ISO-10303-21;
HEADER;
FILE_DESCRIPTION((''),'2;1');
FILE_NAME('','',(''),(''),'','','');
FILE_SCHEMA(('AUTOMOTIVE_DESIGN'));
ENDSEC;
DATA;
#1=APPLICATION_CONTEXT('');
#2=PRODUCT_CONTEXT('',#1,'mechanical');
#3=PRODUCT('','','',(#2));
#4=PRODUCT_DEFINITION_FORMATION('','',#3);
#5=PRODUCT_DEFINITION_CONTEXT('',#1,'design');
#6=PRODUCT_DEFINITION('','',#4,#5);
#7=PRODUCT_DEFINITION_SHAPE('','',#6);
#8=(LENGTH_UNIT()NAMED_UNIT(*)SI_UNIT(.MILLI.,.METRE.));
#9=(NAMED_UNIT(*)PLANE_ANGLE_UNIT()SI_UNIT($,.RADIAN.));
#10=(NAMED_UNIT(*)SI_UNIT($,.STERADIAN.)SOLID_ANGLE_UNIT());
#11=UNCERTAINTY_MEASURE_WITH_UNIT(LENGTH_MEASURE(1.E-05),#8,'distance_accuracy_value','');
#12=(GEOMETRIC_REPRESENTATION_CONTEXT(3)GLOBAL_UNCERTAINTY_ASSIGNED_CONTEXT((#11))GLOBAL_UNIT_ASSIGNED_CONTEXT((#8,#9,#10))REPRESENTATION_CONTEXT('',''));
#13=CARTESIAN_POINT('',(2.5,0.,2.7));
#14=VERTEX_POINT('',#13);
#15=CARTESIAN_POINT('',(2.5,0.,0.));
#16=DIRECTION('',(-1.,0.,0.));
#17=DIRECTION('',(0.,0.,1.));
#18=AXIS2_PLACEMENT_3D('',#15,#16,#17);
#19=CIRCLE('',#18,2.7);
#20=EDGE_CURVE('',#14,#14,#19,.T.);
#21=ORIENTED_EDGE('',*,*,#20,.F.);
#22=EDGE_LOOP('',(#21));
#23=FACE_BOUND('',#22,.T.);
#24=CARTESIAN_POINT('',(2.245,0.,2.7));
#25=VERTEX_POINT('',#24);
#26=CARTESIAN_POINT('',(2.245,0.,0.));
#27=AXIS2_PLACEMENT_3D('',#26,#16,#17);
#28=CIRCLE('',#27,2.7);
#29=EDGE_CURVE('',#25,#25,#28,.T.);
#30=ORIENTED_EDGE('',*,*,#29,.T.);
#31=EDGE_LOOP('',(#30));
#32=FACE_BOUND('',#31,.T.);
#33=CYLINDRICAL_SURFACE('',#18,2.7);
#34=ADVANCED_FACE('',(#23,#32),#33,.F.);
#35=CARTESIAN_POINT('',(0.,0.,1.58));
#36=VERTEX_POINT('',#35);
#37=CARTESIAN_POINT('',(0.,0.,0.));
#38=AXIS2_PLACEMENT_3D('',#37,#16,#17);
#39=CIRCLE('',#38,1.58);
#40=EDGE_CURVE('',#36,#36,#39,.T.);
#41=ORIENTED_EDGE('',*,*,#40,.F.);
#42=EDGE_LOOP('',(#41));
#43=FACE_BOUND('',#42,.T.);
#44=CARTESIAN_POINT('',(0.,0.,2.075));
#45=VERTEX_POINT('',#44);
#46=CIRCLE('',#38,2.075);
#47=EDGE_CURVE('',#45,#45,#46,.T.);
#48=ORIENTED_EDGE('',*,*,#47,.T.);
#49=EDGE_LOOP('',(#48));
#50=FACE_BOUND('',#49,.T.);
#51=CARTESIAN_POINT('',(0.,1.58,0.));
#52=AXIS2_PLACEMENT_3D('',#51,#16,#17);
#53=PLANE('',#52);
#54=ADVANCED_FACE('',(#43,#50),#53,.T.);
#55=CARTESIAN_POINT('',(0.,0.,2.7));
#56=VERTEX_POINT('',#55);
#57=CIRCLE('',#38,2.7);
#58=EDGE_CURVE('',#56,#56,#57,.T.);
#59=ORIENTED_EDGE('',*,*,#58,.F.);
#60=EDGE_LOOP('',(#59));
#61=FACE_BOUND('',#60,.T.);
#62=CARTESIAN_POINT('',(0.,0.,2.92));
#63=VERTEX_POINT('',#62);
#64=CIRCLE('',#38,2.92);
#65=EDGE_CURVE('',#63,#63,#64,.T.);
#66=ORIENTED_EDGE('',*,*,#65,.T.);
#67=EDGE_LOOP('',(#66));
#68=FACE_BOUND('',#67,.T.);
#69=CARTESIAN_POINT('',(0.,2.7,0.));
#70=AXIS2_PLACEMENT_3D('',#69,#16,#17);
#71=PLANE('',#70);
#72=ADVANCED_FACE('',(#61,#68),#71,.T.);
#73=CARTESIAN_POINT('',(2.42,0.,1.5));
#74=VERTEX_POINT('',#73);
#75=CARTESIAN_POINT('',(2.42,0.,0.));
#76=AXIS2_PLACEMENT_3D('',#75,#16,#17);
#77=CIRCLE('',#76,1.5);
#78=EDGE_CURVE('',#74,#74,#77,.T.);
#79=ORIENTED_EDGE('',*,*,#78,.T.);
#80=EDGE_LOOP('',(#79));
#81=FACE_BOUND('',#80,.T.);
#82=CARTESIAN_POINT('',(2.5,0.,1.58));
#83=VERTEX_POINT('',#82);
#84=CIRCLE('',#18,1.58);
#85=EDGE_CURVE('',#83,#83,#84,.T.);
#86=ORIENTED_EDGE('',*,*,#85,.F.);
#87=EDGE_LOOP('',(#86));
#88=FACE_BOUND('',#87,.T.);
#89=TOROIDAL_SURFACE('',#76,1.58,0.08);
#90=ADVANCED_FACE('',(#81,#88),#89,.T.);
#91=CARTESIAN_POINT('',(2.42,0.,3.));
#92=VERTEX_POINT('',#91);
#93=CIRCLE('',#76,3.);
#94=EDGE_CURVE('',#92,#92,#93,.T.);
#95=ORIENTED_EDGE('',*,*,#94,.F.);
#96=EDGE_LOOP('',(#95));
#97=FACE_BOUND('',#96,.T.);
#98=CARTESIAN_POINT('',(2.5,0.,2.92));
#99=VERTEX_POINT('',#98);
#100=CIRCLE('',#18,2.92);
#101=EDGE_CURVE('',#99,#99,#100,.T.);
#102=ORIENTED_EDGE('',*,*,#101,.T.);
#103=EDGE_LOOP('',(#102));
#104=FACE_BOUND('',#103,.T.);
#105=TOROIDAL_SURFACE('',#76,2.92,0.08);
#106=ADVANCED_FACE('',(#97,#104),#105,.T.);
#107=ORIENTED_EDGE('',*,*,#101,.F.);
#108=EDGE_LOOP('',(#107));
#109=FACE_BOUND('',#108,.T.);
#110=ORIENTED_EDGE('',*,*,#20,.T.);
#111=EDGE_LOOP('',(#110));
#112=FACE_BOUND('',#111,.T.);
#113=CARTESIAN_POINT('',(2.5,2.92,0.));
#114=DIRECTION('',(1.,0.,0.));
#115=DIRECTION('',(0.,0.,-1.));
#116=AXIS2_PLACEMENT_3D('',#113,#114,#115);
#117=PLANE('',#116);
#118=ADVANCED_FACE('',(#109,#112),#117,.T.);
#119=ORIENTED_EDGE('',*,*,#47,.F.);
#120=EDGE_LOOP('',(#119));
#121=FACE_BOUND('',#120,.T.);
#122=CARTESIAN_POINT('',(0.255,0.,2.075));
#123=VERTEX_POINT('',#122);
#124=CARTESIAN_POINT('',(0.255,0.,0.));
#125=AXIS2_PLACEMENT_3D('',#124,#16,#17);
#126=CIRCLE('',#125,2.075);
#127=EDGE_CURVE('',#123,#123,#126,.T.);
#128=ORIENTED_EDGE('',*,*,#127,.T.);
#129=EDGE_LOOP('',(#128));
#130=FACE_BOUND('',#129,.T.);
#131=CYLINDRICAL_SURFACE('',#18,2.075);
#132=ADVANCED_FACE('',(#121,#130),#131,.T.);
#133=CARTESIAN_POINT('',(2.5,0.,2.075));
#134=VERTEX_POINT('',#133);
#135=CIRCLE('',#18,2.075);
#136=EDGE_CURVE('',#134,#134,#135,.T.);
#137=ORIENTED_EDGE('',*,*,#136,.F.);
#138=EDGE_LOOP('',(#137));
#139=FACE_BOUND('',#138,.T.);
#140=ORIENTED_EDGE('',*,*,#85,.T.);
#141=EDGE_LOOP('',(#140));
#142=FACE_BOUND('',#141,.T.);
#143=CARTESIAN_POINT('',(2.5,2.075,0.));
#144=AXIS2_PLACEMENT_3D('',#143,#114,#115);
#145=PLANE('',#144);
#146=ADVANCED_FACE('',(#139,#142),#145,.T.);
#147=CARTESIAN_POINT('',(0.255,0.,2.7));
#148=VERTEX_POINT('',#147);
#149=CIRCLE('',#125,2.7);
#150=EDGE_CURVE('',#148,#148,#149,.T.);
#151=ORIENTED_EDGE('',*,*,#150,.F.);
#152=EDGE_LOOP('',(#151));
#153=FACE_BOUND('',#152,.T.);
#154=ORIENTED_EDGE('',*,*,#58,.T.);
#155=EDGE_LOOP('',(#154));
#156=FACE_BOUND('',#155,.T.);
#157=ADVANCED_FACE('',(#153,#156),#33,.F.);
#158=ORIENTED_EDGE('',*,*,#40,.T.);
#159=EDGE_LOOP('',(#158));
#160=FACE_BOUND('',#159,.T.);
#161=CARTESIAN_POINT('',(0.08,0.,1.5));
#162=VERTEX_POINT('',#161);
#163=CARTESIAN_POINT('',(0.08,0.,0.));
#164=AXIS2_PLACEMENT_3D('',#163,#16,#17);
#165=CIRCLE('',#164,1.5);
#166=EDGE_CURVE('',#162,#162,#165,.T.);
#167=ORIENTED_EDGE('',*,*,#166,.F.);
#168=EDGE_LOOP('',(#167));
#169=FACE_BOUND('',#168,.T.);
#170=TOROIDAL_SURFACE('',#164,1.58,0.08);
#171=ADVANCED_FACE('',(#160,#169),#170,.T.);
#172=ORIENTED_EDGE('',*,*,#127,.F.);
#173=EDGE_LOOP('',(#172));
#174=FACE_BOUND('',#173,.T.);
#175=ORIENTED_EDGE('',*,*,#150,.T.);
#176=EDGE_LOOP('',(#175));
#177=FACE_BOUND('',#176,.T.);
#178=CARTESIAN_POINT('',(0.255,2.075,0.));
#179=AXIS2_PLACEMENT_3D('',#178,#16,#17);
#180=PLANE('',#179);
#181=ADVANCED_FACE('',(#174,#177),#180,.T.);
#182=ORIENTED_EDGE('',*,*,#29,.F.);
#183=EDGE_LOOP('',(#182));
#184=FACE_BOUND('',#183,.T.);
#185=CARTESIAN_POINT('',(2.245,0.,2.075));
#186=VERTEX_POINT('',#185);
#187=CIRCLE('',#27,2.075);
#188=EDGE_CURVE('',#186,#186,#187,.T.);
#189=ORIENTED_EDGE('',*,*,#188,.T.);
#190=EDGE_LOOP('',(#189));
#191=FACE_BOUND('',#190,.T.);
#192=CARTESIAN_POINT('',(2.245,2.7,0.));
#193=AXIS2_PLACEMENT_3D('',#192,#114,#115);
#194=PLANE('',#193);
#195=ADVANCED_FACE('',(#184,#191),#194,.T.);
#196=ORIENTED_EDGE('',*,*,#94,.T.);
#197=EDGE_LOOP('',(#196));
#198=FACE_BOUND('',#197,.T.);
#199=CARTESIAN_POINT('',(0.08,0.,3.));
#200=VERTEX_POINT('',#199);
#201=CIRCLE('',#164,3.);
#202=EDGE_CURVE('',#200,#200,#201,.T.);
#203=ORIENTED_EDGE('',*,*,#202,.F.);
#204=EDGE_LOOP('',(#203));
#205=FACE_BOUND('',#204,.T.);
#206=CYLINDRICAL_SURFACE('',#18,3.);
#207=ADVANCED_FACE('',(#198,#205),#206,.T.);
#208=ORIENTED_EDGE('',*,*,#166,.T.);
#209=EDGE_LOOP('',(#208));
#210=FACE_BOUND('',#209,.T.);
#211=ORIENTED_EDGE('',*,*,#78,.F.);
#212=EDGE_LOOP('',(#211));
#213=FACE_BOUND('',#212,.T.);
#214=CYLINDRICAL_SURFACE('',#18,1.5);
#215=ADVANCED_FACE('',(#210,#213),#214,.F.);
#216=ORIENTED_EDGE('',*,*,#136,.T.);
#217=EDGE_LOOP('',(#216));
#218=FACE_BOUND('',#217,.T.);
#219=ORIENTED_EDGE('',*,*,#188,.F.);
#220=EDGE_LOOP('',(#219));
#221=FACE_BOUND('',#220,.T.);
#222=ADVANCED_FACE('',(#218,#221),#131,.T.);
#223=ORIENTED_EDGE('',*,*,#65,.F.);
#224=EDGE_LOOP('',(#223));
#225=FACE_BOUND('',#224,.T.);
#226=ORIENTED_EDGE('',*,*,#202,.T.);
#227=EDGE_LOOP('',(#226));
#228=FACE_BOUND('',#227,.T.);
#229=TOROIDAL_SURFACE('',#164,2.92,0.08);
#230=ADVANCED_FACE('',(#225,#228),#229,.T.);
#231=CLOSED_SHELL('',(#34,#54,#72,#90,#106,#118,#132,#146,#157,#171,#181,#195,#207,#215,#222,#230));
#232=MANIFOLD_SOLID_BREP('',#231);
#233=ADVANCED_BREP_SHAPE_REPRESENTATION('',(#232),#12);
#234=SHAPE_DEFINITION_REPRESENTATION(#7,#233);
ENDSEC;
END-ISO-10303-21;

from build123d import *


with BuildPart() as part:
    # 草图1 → 旋转1 (revolve)
    with BuildSketch(Plane(origin=(0, 0, 0), x_dir=(-1, 0, 0), z_dir=(0, 0, -1))):
        with BuildLine():
            Line((0, 2.075), (-0.255, 2.075))
            Line((-0.255, 2.075), (-0.255, 2.7))
            Line((-0.255, 2.7), (0, 2.7))
            Line((0, 2.7), (0, 2.92))
            ThreePointArc((0, 2.92), (-0.023431458, 2.976568542), (-0.08, 3))
            Line((-0.08, 3), (-2.42, 3))
            ThreePointArc((-2.42, 3), (-2.476568542, 2.976568542), (-2.5, 2.92))
            Line((-2.5, 2.92), (-2.5, 2.7))
            Line((-2.5, 2.7), (-2.245, 2.7))
            Line((-2.245, 2.7), (-2.245, 2.075))
            Line((-2.245, 2.075), (-2.5, 2.075))
            Line((-2.5, 2.075), (-2.5, 1.58))
            ThreePointArc((-2.5, 1.58), (-2.476568542, 1.523431458), (-2.42, 1.5))
            Line((-2.42, 1.5), (-0.08, 1.5))
            ThreePointArc((-0.08, 1.5), (-0.023431458, 1.523431458), (0, 1.58))
            Line((0, 1.58), (0, 2.075))
        make_face()
    revolve(axis=Axis((2.5, 0, 0), (-1, 0, 0)))


solid = part.part
